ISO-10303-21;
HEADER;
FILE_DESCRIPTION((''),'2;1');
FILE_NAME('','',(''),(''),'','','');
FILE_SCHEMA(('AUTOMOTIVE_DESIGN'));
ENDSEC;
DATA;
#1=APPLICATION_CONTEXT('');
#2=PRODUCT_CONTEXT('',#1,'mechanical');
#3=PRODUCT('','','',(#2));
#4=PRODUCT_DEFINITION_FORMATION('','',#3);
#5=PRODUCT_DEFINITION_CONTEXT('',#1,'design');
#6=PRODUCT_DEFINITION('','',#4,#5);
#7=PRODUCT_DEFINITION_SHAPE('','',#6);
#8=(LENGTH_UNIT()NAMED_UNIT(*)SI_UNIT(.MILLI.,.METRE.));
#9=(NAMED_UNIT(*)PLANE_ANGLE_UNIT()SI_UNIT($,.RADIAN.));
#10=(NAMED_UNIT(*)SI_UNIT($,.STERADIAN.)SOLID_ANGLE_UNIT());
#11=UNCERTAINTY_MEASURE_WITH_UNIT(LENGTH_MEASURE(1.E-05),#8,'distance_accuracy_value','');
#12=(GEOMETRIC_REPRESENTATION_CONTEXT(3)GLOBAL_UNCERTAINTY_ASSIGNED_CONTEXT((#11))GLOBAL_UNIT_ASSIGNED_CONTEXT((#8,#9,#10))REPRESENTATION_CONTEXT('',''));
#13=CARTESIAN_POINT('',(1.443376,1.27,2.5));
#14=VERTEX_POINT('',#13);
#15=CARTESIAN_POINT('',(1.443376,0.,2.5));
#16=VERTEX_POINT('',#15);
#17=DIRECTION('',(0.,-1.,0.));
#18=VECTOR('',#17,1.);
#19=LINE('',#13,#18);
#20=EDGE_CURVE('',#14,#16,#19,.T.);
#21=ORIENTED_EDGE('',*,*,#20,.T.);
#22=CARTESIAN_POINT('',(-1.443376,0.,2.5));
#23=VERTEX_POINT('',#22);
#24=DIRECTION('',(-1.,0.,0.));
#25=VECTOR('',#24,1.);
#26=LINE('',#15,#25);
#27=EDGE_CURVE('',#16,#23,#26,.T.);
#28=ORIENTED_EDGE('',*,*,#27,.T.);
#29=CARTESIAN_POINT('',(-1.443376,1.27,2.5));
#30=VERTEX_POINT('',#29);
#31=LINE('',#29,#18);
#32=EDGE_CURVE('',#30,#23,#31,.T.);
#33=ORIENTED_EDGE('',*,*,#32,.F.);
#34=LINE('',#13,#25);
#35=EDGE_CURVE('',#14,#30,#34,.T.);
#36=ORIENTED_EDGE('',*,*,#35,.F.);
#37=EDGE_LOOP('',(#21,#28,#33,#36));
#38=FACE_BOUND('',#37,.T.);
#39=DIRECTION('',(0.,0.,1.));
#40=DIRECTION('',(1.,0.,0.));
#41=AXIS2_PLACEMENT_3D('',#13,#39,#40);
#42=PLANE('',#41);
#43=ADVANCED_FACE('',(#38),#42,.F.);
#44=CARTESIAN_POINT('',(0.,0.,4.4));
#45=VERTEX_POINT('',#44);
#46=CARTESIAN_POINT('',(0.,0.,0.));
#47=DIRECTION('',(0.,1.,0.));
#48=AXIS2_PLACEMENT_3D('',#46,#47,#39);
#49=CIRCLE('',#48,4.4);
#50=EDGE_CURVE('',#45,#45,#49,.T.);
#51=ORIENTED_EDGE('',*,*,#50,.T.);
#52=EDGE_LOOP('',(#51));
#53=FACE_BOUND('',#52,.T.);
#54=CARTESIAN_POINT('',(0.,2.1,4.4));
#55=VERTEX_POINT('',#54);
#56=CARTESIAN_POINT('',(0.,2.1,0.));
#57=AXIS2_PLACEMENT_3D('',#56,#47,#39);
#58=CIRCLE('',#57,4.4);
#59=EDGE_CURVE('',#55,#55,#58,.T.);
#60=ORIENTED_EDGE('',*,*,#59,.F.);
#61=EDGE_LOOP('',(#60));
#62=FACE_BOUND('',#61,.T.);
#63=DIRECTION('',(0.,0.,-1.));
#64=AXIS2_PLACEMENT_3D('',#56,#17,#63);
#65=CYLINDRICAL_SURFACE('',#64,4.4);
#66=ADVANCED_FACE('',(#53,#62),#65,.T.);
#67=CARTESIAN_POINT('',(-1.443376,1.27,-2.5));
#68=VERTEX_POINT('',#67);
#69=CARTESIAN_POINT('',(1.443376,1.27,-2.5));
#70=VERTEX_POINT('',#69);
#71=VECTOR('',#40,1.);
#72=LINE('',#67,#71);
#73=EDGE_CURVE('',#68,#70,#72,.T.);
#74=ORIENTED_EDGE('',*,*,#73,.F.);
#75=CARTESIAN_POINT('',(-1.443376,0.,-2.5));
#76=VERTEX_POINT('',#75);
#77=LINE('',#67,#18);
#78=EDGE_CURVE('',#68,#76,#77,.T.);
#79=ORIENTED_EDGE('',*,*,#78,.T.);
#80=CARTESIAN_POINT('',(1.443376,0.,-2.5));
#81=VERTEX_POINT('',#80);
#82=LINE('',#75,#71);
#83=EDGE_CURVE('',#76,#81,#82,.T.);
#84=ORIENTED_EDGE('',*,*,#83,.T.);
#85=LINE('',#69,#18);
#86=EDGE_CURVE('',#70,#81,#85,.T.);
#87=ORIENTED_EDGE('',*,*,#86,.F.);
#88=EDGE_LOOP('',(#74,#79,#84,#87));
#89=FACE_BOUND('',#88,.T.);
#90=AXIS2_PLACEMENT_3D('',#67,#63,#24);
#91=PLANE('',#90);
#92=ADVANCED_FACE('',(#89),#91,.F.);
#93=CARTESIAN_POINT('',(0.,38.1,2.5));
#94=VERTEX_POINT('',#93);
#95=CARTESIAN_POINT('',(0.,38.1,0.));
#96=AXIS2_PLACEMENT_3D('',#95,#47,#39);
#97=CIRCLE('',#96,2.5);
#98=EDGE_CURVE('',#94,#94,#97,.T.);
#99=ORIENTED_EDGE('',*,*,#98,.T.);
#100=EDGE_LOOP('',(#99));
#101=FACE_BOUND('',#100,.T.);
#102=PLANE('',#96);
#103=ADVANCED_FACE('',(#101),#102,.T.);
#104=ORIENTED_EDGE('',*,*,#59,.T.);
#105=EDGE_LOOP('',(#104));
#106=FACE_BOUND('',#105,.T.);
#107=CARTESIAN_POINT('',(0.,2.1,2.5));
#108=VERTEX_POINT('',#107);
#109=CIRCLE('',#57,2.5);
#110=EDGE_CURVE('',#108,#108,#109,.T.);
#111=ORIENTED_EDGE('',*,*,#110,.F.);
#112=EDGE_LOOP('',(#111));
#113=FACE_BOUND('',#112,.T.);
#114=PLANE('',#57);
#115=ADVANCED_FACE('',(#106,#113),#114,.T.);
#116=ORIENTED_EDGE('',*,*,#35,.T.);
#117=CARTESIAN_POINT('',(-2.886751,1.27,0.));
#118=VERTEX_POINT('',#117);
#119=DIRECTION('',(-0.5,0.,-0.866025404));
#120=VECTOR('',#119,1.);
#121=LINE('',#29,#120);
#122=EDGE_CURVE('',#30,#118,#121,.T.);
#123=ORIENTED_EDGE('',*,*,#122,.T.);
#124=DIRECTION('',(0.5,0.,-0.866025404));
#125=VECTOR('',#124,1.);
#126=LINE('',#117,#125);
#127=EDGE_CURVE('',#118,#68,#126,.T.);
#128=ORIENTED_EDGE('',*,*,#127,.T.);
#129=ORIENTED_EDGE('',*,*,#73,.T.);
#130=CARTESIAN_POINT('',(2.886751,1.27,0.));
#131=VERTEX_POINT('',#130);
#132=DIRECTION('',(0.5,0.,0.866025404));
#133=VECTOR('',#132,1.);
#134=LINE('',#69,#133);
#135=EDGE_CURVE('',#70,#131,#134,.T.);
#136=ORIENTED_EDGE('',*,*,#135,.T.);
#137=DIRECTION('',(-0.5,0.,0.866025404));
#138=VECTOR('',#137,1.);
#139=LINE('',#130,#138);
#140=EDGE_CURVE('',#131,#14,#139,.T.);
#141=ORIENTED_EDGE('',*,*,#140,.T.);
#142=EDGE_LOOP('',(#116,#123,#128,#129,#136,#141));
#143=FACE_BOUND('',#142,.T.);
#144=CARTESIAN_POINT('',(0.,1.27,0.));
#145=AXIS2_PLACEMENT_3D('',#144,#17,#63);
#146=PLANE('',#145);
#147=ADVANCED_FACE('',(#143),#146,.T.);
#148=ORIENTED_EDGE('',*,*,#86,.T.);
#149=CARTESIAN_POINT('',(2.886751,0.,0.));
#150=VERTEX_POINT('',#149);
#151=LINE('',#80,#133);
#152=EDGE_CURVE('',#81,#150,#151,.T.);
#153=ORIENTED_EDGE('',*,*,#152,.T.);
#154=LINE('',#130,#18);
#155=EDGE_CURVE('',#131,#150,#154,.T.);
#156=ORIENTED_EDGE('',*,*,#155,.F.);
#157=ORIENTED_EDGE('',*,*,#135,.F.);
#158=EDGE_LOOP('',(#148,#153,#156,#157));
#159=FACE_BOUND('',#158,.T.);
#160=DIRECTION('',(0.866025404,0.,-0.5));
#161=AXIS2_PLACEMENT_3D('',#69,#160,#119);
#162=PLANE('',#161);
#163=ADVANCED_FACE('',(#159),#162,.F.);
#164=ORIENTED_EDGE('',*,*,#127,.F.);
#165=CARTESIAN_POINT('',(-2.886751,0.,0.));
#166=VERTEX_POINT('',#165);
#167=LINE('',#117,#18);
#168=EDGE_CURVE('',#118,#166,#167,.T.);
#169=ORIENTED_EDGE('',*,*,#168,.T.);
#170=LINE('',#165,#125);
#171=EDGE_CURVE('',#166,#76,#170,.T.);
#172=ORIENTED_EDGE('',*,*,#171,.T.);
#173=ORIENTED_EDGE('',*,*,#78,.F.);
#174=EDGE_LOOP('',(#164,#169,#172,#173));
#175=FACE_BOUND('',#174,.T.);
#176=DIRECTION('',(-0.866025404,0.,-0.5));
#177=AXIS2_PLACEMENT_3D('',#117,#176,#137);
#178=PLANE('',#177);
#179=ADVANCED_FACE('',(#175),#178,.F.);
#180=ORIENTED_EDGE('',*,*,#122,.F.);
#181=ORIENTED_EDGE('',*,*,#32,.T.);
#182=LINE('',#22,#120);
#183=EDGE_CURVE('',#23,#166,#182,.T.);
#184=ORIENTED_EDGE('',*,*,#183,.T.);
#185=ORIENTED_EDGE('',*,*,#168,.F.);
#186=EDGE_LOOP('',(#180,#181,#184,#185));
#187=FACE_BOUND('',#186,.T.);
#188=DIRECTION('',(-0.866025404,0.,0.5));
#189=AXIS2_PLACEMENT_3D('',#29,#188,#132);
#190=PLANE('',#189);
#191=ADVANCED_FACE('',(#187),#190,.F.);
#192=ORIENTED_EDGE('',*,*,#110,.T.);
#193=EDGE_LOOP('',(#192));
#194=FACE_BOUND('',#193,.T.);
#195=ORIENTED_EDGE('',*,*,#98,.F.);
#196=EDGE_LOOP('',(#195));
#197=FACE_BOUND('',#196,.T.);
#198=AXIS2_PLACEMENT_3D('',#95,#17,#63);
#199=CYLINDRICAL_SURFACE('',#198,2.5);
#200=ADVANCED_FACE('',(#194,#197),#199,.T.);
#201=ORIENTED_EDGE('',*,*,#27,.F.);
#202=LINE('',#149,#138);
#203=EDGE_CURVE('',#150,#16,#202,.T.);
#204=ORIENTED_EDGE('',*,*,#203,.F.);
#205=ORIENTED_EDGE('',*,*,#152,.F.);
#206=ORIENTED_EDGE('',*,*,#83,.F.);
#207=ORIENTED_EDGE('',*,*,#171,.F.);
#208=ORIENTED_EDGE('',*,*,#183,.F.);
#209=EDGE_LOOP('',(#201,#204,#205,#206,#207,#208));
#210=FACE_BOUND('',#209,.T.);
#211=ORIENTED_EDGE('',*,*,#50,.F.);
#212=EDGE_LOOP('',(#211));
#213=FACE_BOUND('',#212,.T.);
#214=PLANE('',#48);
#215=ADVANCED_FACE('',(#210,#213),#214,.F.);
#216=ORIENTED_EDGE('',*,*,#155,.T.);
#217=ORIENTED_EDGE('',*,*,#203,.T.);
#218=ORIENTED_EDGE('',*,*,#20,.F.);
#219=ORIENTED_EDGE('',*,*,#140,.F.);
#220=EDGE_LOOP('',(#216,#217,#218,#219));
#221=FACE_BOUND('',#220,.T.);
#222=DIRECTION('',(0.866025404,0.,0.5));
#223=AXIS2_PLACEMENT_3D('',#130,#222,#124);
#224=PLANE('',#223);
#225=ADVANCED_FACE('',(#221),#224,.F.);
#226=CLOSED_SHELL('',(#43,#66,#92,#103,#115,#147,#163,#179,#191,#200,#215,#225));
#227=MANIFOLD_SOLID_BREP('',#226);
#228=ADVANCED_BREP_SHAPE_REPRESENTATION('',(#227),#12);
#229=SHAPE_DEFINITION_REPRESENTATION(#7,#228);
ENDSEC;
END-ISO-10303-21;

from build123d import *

# Parameters (mm, degrees)
SKETCH1_R           = 4.4
SKETCH1_R_2         = 2.5
BOSS_EXTRUDE1_DEPTH = 2.1
CUT_EXTRUDE1_DEPTH  = 1.27
SKETCH3_R           = 2.5
BOSS_EXTRUDE2_DEPTH = 36


with BuildPart() as part:
    # Sketch1 → Boss-Extrude1 (new body)
    # profile 1 of 2: a face of its own
    with BuildSketch(Plane(origin=(0, 0, 0), x_dir=(1, 0, 0), z_dir=(0, 1, 0))):
        with Locations(Location((0, 0, 0), (0, 0, 270))):
            Circle(SKETCH1_R)
        Circle(SKETCH1_R_2, mode=Mode.SUBTRACT)
    # profile 2 of 2: a face of its own
    with BuildSketch(Plane(origin=(0, 0, 0), x_dir=(1, 0, 0), z_dir=(0, 1, 0))):
        Circle(SKETCH1_R_2)
    extrude(amount=BOSS_EXTRUDE1_DEPTH)

    # Sketch2 → Cut-Extrude1 (cut)
    with BuildSketch(Plane.XZ):
        Polygon((2.886751346, 0), (1.443375673, 2.5), (-1.443375673, 2.5), (-2.886751346, 0), (-1.443375673, -2.5), (1.443375673, -2.5), align=None)
    extrude(amount=-CUT_EXTRUDE1_DEPTH, mode=Mode.SUBTRACT)

    # Sketch3 → Boss-Extrude2 (add)
    with BuildSketch(Plane(origin=(0, 2.1, 0), x_dir=(1, 0, 0), z_dir=(0, 1, 0))):
        with Locations(Location((0, 0, 0), (0, 0, 270))):
            Circle(SKETCH3_R)
    extrude(amount=BOSS_EXTRUDE2_DEPTH)


solid = part.part
